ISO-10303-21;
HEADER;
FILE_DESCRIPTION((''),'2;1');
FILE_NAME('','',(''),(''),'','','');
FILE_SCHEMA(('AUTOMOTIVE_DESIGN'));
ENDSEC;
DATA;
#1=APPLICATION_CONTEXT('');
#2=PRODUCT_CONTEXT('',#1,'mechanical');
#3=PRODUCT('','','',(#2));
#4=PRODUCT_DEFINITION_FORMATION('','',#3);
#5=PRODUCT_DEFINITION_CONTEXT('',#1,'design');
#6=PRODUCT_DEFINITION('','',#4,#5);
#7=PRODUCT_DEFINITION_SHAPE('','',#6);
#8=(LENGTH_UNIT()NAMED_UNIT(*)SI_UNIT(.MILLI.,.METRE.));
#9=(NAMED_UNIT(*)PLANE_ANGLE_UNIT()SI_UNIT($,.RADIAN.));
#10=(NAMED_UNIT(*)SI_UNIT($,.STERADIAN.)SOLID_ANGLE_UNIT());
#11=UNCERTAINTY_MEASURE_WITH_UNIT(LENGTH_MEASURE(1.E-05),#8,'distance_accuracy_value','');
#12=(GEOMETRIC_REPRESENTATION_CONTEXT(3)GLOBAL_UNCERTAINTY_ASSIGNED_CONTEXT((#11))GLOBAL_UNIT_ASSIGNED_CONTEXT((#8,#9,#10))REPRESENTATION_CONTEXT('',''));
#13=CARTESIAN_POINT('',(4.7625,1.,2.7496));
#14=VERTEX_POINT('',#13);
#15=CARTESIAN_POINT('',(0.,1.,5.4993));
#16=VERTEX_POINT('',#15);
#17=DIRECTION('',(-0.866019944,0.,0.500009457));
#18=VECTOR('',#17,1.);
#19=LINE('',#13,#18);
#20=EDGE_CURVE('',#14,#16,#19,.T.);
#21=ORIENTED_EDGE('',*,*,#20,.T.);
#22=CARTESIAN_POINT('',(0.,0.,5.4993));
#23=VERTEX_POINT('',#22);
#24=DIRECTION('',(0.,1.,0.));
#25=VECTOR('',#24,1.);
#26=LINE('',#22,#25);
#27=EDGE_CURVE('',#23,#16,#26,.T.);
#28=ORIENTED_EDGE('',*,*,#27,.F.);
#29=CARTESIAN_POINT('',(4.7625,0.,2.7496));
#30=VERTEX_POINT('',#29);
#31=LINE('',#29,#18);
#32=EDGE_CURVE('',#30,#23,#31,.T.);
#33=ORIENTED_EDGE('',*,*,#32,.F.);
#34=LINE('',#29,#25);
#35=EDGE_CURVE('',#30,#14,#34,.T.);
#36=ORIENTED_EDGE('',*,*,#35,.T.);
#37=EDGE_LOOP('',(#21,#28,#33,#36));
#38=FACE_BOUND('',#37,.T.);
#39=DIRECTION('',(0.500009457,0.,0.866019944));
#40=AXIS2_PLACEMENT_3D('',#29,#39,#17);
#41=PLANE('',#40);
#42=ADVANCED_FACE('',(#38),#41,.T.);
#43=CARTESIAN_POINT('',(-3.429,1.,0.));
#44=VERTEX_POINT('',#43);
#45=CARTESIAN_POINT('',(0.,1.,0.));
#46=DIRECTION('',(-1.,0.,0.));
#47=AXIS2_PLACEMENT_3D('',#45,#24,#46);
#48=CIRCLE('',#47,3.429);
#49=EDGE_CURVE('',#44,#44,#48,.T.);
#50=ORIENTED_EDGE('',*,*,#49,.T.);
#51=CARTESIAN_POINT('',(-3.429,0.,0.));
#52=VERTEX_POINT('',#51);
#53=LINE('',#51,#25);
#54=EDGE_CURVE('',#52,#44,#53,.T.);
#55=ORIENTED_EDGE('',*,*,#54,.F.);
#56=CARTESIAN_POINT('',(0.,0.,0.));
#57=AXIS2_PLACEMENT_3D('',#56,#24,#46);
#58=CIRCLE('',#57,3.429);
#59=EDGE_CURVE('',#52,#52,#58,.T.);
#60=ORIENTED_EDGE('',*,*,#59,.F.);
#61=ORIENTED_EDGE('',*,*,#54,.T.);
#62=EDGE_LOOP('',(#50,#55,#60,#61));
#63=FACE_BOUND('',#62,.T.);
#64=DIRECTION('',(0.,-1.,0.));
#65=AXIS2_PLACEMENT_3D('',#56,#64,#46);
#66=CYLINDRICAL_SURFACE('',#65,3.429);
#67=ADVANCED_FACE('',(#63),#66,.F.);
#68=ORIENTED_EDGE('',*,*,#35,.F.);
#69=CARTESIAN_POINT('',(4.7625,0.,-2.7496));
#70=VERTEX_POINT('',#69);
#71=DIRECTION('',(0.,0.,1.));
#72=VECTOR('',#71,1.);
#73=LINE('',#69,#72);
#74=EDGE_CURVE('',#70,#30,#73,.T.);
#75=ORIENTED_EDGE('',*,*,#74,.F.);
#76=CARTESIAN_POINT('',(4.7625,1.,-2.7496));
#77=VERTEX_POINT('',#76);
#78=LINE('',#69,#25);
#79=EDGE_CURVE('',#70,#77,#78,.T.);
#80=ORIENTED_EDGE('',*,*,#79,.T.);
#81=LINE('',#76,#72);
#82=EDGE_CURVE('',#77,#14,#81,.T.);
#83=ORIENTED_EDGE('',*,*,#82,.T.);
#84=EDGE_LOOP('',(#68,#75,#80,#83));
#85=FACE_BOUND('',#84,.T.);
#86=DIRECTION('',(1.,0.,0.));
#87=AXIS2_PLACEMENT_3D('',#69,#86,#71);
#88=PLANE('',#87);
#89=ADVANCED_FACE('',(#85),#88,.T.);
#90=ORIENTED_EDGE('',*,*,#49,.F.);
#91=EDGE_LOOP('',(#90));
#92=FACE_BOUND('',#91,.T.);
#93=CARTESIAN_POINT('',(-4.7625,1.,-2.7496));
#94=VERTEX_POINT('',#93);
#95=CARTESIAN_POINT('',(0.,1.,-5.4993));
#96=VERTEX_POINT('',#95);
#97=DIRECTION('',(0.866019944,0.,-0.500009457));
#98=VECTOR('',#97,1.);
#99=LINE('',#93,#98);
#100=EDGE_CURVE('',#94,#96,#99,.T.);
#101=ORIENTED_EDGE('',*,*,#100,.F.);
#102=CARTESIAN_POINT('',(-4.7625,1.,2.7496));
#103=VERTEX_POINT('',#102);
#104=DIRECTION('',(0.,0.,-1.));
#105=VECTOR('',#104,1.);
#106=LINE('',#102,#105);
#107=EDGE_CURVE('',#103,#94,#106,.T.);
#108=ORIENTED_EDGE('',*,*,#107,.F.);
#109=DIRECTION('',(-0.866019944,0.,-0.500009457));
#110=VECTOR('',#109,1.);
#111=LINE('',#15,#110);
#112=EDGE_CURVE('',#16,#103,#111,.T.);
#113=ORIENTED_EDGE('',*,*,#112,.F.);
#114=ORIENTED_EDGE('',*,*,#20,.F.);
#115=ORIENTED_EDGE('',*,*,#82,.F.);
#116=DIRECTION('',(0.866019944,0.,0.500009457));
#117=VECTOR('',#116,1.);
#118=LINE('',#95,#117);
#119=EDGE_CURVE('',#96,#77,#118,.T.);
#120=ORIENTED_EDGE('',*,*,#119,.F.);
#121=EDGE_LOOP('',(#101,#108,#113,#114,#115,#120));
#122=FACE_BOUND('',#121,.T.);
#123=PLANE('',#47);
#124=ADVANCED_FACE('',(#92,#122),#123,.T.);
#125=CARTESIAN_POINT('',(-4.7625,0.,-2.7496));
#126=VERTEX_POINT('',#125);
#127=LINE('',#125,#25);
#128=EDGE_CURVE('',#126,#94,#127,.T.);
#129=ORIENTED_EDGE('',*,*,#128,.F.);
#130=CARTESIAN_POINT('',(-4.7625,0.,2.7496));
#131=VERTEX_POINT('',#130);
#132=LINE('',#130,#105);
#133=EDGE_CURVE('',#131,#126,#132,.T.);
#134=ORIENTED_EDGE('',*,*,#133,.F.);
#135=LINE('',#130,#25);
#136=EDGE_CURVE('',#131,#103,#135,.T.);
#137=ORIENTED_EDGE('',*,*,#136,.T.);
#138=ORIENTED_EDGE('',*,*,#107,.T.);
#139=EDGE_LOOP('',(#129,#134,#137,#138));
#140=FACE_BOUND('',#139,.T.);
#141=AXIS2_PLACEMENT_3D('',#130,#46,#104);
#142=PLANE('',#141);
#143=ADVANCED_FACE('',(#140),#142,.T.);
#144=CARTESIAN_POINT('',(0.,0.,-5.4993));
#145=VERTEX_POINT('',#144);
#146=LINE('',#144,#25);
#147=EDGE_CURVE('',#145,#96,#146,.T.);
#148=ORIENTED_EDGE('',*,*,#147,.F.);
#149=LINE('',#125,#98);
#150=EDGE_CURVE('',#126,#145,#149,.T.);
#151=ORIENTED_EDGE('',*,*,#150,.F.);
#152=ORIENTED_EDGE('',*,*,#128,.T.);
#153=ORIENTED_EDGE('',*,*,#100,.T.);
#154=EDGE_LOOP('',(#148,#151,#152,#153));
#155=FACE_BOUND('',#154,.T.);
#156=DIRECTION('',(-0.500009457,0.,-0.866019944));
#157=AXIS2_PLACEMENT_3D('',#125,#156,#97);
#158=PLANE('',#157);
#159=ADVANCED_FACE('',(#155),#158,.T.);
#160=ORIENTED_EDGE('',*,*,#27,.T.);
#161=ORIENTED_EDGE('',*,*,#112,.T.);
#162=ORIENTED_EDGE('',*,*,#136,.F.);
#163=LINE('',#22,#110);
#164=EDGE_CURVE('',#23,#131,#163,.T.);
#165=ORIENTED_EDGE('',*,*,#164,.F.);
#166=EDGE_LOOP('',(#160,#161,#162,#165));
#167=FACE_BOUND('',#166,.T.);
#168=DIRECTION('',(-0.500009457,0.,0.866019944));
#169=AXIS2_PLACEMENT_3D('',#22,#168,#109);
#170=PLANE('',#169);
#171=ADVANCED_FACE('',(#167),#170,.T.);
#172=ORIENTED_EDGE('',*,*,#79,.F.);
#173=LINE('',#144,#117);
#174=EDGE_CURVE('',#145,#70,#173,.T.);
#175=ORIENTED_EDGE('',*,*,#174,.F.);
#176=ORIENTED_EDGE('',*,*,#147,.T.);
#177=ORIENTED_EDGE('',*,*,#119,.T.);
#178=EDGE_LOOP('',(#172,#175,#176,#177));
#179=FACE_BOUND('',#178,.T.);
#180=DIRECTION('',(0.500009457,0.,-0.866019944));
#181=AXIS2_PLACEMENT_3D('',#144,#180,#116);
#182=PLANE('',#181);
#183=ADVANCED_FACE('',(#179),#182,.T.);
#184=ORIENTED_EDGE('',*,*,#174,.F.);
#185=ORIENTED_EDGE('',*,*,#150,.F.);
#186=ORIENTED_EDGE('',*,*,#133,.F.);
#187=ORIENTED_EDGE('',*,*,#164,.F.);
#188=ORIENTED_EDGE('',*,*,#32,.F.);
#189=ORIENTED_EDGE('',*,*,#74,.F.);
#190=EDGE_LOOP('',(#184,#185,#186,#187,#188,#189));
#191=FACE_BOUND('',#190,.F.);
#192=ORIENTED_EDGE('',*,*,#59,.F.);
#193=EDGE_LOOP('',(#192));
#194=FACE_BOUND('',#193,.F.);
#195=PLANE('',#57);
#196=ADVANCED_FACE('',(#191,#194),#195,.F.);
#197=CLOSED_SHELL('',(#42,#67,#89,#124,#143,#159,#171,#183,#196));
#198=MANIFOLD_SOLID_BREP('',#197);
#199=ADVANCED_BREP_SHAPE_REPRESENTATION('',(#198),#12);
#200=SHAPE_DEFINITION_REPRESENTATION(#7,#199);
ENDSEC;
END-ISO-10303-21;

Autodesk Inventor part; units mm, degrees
ref_plane "YZ Plane" through (0, 0, 0) normal (1, 0, 0) x (0, 1, 0)
ref_plane "XZ Plane" through (0, 0, 0) normal (0, 1, 0) x (-1, 0, 0)
ref_plane "XY Plane" through (0, 0, 0) normal (0, 0, 1) x (1, 0, 0)
sketch "Sketch1" plane through (0, 0, 0) normal (0, 1, 0) x (-1, 0, 0)
  circle A0 centre (0, 0) radius 3.429
  line L0 (4.7625, -2.7496) -> (0, -5.4993)
  line L1 (0, -5.4993) -> (-4.7625, -2.7496)
  line L2 (-4.7625, -2.7496) -> (-4.7625, 2.7496)
  line L3 (-4.7625, 2.7496) -> (0, 5.4993)
  line L4 (0, 5.4993) -> (4.7625, 2.7496)
  line L5 (4.7625, 2.7496) -> (4.7625, -2.7496)
  line L6 (4.7625, 0) -> (0, 0) construction
  dimension "d0" = 6.858
  dimension "d1" = 9.525
extrude "Extrusion1" add sketch "Sketch1" along normal blind 1
properties part number "Spacer" material "UHMW, White"
